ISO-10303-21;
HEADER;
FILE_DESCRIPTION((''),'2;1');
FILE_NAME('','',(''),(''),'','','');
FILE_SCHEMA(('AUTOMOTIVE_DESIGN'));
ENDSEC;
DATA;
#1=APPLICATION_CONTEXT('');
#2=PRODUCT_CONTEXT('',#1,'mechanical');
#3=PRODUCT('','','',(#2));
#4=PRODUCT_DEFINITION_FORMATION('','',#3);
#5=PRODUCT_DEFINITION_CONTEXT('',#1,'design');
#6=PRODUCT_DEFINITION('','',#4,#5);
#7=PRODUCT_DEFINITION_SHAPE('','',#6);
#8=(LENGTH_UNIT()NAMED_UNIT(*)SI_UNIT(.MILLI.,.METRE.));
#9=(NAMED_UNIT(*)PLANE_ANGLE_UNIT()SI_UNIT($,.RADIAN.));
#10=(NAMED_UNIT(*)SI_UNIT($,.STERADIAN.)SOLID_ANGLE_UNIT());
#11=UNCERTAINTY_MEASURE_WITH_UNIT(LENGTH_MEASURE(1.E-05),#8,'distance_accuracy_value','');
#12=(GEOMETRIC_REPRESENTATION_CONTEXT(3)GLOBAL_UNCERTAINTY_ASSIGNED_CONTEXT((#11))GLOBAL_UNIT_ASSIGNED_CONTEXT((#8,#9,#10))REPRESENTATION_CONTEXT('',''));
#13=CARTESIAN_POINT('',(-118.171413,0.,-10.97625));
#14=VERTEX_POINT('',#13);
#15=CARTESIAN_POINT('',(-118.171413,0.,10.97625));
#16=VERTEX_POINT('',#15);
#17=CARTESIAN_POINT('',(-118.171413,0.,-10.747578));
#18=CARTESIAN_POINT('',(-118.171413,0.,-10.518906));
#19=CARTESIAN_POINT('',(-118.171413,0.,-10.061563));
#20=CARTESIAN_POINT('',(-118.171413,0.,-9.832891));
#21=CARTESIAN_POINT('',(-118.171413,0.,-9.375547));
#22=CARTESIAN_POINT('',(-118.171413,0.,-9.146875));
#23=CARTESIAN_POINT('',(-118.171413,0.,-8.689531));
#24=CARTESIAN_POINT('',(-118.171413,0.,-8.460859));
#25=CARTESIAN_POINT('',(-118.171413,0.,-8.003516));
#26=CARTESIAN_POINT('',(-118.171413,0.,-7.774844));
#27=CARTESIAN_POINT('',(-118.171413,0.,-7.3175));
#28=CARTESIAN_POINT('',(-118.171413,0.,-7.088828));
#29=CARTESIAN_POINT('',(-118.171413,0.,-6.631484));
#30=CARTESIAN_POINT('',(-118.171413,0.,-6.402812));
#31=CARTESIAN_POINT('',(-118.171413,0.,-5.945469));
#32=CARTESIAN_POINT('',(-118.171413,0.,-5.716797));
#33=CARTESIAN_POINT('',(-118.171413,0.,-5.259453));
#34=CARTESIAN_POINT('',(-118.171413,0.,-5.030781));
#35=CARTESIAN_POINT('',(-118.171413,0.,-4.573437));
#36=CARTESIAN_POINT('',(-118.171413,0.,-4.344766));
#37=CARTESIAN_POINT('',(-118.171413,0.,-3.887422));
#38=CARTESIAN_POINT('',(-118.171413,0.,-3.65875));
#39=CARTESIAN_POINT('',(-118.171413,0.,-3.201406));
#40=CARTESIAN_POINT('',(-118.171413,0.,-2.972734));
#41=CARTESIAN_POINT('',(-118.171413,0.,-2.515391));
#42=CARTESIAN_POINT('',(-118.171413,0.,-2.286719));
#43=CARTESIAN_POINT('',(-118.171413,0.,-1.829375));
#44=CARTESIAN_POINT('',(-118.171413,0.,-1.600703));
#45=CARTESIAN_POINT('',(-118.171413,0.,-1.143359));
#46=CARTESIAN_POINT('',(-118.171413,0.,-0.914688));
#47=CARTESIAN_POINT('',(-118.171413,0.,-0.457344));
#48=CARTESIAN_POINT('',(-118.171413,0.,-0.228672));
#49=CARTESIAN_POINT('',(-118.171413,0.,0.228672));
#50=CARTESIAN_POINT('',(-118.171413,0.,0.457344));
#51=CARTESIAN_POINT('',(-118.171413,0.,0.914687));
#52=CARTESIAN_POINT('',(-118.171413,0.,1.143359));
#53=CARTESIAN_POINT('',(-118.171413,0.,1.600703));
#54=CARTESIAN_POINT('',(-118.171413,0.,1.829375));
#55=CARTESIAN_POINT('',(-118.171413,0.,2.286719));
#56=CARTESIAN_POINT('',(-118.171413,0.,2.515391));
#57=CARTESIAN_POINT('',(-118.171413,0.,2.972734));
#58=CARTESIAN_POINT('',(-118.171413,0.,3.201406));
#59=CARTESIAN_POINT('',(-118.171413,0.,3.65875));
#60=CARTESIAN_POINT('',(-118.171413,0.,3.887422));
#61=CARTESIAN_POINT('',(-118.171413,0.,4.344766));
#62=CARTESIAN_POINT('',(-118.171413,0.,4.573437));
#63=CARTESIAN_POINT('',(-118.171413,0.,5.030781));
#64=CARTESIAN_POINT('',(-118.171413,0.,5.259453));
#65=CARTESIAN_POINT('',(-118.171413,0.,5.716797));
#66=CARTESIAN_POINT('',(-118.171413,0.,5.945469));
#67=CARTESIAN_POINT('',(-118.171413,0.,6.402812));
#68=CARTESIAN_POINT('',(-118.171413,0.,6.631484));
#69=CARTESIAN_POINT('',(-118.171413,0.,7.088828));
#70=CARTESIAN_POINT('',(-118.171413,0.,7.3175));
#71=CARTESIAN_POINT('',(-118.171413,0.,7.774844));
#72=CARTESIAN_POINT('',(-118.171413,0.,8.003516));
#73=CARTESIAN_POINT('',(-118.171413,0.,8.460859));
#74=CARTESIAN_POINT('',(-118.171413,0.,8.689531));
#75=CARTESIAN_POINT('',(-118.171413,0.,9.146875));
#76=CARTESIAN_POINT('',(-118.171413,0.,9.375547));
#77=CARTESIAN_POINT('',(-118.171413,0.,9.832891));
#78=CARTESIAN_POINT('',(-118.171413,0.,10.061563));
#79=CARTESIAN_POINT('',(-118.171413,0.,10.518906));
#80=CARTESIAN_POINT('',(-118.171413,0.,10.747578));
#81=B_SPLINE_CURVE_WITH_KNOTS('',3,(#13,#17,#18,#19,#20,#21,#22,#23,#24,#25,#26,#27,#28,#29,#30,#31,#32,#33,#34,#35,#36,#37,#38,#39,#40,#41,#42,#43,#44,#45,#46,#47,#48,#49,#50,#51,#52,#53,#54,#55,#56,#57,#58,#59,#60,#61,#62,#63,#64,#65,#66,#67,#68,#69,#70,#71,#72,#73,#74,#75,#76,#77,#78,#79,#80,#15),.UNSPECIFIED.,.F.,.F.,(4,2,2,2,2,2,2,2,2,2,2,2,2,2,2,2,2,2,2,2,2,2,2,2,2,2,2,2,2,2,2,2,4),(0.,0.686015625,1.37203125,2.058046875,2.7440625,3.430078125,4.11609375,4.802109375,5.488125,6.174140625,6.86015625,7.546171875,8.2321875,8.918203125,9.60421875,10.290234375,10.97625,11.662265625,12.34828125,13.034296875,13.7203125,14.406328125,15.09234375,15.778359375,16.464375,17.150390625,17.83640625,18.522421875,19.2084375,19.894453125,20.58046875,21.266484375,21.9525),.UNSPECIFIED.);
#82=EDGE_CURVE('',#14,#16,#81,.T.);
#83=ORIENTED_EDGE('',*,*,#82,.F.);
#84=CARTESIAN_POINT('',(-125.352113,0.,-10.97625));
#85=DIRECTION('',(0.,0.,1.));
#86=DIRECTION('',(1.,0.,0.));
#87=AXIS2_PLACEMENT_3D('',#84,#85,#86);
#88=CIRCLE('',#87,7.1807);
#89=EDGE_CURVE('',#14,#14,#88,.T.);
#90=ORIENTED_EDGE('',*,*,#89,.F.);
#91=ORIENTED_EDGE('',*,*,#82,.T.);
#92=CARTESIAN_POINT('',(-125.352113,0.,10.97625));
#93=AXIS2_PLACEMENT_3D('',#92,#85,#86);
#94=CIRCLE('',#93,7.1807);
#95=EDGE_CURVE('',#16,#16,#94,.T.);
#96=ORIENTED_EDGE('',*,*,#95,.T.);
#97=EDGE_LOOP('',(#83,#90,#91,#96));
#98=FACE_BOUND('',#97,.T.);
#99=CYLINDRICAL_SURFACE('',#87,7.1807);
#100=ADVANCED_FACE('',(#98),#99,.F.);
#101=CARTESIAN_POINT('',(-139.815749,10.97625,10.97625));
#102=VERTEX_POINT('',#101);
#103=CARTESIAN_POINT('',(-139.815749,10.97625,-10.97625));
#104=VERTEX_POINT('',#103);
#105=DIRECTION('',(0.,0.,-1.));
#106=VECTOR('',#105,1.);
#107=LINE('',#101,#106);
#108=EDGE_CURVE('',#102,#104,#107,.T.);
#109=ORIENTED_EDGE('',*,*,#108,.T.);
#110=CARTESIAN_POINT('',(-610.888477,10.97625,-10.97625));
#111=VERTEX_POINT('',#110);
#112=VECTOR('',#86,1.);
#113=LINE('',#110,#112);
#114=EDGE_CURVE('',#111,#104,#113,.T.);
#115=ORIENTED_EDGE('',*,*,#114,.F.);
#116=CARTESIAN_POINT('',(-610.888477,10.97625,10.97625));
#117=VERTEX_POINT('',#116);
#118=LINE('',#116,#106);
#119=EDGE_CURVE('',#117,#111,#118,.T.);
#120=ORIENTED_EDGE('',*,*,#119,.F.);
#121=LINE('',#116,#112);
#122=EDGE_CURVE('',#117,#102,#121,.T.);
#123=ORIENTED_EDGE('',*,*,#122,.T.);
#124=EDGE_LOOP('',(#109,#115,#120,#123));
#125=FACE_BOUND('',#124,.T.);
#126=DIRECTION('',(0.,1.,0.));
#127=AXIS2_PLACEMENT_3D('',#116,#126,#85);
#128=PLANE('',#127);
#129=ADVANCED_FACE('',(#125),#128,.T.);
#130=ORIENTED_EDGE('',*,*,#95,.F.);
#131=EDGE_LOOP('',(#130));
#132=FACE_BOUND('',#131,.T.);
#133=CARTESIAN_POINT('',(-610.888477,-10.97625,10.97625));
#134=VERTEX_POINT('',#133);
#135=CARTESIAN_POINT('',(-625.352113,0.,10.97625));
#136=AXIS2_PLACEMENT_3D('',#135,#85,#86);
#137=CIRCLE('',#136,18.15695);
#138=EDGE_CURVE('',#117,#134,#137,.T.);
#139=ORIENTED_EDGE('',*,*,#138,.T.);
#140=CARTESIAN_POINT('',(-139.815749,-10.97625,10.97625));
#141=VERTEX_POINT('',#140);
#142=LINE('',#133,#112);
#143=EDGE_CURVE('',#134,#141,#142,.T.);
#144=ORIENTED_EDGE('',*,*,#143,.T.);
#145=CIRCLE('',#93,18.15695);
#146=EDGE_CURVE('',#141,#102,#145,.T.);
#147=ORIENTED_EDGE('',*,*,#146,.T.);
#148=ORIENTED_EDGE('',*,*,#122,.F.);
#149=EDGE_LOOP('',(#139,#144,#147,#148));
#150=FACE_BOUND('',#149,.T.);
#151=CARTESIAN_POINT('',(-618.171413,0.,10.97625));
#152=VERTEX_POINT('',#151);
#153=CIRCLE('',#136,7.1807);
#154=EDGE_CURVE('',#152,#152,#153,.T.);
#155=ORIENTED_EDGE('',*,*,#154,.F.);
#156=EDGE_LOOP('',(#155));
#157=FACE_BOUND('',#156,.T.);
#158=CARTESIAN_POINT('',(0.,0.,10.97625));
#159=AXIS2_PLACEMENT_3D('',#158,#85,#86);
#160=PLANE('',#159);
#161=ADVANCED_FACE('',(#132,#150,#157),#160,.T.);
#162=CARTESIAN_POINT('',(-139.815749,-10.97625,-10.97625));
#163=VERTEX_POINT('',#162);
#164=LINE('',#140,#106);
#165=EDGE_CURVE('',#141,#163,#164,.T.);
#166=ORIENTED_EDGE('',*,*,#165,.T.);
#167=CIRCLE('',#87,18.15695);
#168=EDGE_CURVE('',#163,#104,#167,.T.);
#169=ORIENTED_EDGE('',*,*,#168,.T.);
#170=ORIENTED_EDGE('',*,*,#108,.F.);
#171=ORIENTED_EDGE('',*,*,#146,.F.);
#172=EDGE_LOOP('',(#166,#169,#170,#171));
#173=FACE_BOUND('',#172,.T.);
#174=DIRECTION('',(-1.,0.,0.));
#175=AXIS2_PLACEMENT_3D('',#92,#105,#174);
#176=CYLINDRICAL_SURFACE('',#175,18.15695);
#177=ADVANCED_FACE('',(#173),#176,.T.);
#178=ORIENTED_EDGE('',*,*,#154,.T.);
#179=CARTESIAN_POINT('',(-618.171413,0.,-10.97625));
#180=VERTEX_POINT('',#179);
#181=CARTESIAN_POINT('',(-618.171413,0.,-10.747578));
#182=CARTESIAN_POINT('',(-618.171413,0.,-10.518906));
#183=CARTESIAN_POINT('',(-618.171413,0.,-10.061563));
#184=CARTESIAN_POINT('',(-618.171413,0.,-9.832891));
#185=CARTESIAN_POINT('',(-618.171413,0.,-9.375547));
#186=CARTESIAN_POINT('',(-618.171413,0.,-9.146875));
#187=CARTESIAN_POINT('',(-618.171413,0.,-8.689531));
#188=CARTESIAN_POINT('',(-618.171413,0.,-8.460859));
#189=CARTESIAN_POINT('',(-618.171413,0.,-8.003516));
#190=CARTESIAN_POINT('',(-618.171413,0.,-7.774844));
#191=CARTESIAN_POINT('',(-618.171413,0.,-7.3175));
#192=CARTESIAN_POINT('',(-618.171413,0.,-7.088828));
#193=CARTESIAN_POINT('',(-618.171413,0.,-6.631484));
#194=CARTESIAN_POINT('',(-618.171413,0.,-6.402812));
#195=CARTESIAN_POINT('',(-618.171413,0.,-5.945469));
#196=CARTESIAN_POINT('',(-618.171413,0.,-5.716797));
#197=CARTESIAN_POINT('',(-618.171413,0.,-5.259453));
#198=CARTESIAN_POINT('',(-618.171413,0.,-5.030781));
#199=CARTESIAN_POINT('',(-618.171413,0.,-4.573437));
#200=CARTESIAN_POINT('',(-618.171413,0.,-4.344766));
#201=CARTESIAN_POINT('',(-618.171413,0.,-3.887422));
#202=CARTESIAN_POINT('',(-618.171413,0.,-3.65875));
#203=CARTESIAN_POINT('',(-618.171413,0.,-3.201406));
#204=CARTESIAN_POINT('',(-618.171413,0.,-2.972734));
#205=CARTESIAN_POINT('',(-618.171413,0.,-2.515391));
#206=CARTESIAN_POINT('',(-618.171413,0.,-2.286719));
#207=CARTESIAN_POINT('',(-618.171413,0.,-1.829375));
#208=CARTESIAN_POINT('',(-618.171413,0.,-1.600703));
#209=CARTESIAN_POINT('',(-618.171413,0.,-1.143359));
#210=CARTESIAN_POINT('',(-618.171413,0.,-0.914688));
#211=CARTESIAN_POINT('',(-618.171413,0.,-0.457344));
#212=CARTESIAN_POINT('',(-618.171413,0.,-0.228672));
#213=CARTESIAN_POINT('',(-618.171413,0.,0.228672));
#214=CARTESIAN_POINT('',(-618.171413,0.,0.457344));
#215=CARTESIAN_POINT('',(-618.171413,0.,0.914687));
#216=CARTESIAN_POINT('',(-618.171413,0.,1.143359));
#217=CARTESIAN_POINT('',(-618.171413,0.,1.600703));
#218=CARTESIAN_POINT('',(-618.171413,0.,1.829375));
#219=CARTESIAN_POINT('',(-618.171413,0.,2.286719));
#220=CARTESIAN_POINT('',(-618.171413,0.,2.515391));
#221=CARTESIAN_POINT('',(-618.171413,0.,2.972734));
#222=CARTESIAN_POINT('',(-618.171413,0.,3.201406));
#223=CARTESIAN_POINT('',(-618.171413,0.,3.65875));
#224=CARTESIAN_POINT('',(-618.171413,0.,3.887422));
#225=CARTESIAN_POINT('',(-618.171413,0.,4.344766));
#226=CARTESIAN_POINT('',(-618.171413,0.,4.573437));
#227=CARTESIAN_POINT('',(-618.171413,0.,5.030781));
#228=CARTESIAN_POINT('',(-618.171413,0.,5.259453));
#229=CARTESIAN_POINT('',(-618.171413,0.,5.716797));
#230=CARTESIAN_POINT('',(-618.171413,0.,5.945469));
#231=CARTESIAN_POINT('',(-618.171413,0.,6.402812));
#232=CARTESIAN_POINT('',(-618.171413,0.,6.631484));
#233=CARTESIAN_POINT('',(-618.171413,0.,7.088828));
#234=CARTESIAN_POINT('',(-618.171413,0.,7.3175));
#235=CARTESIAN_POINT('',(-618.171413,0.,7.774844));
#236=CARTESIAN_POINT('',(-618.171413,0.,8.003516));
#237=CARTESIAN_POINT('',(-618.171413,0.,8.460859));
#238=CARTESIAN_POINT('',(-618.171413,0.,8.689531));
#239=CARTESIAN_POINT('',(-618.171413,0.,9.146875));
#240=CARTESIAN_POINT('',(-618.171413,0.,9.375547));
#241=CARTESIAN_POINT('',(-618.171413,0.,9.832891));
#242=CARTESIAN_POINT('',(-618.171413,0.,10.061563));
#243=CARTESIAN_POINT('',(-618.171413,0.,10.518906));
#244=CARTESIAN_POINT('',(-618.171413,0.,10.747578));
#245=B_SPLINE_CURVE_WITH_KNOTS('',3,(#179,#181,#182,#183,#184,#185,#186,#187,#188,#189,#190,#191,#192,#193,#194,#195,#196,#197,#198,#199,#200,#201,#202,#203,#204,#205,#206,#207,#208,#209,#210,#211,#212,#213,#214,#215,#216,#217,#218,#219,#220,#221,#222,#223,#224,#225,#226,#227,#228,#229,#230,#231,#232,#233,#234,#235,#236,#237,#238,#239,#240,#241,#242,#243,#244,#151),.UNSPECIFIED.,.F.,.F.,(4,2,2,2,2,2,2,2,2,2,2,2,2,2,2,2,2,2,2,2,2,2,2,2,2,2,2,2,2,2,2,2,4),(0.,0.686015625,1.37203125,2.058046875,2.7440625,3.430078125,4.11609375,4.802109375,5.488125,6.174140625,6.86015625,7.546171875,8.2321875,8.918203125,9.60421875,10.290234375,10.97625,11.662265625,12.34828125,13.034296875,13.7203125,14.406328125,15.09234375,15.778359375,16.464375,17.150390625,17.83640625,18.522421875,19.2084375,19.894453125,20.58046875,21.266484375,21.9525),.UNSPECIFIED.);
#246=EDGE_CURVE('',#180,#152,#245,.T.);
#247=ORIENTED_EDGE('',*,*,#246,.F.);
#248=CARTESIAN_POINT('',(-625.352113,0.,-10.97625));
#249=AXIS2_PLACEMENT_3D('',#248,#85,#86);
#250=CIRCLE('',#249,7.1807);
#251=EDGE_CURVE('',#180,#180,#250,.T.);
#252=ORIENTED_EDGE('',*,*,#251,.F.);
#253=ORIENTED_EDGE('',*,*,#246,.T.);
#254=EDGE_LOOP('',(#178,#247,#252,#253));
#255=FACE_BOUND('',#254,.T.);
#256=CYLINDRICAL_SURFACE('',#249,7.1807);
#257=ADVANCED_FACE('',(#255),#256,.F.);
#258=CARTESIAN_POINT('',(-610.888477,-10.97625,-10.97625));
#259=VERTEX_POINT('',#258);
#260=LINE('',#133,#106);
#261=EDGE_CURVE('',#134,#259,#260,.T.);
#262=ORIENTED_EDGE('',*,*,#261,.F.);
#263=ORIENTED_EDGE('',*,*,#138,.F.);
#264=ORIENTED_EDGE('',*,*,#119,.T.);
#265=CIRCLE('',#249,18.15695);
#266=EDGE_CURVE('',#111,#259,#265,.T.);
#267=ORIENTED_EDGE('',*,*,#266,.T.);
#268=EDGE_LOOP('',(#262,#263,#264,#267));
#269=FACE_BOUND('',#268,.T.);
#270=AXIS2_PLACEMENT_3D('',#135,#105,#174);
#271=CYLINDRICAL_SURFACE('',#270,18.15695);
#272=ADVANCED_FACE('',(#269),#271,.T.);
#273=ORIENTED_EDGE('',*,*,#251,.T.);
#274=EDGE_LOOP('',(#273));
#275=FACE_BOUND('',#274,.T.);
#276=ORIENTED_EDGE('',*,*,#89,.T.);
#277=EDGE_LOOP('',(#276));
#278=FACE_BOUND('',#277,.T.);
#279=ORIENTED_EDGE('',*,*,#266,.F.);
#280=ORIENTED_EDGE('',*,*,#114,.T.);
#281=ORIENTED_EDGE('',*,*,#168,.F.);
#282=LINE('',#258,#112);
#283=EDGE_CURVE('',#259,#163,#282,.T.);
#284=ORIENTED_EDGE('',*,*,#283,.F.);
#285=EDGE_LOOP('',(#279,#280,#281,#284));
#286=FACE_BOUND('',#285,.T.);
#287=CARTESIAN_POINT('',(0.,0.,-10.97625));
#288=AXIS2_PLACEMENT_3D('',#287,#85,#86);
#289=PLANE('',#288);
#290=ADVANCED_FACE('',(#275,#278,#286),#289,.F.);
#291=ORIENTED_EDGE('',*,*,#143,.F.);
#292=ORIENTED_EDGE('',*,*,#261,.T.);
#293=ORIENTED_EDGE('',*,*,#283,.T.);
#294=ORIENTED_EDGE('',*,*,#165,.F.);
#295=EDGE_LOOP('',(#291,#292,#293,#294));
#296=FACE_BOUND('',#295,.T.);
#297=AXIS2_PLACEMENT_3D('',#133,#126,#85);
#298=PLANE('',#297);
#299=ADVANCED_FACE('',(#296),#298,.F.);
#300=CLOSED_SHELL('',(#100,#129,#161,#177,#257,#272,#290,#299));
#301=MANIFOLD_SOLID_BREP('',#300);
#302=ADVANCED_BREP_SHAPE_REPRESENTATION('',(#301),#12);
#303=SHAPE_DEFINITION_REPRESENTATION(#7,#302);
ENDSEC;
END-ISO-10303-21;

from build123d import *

# Parameters (mm, degrees)
SKETCH3_R           = 18.15695
SKETCH3_W           = 471.0727278
SKETCH3_H           = 21.9525
BOSS_EXTRUDE1_DEPTH = 10.97625
SKETCH4_R           = 7.1807
CUT_EXTRUDE1_DEPTH  = 645.139348927


with BuildPart() as part:
    # Sketch3 → Boss-Extrude1 (new, symmetric)
    with BuildSketch(Plane.XY):
        with Locations((-625.352112676, 0)):
            Circle(SKETCH3_R)
        with Locations((-125.352112676, 0)):
            Circle(SKETCH3_R)
        with Locations((-375.352112676, 0)):
            Rectangle(SKETCH3_W, SKETCH3_H)
    extrude(amount=BOSS_EXTRUDE1_DEPTH, both=True)

    # Sketch4 → Cut-Extrude1 (cut, through all)
    with BuildSketch(Plane.XY.offset(10.97625)):
        with Locations((-625.352112676, 0)):
            Circle(SKETCH4_R)
        with Locations((-125.352112676, 0)):
            Circle(SKETCH4_R)
    extrude(amount=-CUT_EXTRUDE1_DEPTH, mode=Mode.SUBTRACT)


solid = part.part
